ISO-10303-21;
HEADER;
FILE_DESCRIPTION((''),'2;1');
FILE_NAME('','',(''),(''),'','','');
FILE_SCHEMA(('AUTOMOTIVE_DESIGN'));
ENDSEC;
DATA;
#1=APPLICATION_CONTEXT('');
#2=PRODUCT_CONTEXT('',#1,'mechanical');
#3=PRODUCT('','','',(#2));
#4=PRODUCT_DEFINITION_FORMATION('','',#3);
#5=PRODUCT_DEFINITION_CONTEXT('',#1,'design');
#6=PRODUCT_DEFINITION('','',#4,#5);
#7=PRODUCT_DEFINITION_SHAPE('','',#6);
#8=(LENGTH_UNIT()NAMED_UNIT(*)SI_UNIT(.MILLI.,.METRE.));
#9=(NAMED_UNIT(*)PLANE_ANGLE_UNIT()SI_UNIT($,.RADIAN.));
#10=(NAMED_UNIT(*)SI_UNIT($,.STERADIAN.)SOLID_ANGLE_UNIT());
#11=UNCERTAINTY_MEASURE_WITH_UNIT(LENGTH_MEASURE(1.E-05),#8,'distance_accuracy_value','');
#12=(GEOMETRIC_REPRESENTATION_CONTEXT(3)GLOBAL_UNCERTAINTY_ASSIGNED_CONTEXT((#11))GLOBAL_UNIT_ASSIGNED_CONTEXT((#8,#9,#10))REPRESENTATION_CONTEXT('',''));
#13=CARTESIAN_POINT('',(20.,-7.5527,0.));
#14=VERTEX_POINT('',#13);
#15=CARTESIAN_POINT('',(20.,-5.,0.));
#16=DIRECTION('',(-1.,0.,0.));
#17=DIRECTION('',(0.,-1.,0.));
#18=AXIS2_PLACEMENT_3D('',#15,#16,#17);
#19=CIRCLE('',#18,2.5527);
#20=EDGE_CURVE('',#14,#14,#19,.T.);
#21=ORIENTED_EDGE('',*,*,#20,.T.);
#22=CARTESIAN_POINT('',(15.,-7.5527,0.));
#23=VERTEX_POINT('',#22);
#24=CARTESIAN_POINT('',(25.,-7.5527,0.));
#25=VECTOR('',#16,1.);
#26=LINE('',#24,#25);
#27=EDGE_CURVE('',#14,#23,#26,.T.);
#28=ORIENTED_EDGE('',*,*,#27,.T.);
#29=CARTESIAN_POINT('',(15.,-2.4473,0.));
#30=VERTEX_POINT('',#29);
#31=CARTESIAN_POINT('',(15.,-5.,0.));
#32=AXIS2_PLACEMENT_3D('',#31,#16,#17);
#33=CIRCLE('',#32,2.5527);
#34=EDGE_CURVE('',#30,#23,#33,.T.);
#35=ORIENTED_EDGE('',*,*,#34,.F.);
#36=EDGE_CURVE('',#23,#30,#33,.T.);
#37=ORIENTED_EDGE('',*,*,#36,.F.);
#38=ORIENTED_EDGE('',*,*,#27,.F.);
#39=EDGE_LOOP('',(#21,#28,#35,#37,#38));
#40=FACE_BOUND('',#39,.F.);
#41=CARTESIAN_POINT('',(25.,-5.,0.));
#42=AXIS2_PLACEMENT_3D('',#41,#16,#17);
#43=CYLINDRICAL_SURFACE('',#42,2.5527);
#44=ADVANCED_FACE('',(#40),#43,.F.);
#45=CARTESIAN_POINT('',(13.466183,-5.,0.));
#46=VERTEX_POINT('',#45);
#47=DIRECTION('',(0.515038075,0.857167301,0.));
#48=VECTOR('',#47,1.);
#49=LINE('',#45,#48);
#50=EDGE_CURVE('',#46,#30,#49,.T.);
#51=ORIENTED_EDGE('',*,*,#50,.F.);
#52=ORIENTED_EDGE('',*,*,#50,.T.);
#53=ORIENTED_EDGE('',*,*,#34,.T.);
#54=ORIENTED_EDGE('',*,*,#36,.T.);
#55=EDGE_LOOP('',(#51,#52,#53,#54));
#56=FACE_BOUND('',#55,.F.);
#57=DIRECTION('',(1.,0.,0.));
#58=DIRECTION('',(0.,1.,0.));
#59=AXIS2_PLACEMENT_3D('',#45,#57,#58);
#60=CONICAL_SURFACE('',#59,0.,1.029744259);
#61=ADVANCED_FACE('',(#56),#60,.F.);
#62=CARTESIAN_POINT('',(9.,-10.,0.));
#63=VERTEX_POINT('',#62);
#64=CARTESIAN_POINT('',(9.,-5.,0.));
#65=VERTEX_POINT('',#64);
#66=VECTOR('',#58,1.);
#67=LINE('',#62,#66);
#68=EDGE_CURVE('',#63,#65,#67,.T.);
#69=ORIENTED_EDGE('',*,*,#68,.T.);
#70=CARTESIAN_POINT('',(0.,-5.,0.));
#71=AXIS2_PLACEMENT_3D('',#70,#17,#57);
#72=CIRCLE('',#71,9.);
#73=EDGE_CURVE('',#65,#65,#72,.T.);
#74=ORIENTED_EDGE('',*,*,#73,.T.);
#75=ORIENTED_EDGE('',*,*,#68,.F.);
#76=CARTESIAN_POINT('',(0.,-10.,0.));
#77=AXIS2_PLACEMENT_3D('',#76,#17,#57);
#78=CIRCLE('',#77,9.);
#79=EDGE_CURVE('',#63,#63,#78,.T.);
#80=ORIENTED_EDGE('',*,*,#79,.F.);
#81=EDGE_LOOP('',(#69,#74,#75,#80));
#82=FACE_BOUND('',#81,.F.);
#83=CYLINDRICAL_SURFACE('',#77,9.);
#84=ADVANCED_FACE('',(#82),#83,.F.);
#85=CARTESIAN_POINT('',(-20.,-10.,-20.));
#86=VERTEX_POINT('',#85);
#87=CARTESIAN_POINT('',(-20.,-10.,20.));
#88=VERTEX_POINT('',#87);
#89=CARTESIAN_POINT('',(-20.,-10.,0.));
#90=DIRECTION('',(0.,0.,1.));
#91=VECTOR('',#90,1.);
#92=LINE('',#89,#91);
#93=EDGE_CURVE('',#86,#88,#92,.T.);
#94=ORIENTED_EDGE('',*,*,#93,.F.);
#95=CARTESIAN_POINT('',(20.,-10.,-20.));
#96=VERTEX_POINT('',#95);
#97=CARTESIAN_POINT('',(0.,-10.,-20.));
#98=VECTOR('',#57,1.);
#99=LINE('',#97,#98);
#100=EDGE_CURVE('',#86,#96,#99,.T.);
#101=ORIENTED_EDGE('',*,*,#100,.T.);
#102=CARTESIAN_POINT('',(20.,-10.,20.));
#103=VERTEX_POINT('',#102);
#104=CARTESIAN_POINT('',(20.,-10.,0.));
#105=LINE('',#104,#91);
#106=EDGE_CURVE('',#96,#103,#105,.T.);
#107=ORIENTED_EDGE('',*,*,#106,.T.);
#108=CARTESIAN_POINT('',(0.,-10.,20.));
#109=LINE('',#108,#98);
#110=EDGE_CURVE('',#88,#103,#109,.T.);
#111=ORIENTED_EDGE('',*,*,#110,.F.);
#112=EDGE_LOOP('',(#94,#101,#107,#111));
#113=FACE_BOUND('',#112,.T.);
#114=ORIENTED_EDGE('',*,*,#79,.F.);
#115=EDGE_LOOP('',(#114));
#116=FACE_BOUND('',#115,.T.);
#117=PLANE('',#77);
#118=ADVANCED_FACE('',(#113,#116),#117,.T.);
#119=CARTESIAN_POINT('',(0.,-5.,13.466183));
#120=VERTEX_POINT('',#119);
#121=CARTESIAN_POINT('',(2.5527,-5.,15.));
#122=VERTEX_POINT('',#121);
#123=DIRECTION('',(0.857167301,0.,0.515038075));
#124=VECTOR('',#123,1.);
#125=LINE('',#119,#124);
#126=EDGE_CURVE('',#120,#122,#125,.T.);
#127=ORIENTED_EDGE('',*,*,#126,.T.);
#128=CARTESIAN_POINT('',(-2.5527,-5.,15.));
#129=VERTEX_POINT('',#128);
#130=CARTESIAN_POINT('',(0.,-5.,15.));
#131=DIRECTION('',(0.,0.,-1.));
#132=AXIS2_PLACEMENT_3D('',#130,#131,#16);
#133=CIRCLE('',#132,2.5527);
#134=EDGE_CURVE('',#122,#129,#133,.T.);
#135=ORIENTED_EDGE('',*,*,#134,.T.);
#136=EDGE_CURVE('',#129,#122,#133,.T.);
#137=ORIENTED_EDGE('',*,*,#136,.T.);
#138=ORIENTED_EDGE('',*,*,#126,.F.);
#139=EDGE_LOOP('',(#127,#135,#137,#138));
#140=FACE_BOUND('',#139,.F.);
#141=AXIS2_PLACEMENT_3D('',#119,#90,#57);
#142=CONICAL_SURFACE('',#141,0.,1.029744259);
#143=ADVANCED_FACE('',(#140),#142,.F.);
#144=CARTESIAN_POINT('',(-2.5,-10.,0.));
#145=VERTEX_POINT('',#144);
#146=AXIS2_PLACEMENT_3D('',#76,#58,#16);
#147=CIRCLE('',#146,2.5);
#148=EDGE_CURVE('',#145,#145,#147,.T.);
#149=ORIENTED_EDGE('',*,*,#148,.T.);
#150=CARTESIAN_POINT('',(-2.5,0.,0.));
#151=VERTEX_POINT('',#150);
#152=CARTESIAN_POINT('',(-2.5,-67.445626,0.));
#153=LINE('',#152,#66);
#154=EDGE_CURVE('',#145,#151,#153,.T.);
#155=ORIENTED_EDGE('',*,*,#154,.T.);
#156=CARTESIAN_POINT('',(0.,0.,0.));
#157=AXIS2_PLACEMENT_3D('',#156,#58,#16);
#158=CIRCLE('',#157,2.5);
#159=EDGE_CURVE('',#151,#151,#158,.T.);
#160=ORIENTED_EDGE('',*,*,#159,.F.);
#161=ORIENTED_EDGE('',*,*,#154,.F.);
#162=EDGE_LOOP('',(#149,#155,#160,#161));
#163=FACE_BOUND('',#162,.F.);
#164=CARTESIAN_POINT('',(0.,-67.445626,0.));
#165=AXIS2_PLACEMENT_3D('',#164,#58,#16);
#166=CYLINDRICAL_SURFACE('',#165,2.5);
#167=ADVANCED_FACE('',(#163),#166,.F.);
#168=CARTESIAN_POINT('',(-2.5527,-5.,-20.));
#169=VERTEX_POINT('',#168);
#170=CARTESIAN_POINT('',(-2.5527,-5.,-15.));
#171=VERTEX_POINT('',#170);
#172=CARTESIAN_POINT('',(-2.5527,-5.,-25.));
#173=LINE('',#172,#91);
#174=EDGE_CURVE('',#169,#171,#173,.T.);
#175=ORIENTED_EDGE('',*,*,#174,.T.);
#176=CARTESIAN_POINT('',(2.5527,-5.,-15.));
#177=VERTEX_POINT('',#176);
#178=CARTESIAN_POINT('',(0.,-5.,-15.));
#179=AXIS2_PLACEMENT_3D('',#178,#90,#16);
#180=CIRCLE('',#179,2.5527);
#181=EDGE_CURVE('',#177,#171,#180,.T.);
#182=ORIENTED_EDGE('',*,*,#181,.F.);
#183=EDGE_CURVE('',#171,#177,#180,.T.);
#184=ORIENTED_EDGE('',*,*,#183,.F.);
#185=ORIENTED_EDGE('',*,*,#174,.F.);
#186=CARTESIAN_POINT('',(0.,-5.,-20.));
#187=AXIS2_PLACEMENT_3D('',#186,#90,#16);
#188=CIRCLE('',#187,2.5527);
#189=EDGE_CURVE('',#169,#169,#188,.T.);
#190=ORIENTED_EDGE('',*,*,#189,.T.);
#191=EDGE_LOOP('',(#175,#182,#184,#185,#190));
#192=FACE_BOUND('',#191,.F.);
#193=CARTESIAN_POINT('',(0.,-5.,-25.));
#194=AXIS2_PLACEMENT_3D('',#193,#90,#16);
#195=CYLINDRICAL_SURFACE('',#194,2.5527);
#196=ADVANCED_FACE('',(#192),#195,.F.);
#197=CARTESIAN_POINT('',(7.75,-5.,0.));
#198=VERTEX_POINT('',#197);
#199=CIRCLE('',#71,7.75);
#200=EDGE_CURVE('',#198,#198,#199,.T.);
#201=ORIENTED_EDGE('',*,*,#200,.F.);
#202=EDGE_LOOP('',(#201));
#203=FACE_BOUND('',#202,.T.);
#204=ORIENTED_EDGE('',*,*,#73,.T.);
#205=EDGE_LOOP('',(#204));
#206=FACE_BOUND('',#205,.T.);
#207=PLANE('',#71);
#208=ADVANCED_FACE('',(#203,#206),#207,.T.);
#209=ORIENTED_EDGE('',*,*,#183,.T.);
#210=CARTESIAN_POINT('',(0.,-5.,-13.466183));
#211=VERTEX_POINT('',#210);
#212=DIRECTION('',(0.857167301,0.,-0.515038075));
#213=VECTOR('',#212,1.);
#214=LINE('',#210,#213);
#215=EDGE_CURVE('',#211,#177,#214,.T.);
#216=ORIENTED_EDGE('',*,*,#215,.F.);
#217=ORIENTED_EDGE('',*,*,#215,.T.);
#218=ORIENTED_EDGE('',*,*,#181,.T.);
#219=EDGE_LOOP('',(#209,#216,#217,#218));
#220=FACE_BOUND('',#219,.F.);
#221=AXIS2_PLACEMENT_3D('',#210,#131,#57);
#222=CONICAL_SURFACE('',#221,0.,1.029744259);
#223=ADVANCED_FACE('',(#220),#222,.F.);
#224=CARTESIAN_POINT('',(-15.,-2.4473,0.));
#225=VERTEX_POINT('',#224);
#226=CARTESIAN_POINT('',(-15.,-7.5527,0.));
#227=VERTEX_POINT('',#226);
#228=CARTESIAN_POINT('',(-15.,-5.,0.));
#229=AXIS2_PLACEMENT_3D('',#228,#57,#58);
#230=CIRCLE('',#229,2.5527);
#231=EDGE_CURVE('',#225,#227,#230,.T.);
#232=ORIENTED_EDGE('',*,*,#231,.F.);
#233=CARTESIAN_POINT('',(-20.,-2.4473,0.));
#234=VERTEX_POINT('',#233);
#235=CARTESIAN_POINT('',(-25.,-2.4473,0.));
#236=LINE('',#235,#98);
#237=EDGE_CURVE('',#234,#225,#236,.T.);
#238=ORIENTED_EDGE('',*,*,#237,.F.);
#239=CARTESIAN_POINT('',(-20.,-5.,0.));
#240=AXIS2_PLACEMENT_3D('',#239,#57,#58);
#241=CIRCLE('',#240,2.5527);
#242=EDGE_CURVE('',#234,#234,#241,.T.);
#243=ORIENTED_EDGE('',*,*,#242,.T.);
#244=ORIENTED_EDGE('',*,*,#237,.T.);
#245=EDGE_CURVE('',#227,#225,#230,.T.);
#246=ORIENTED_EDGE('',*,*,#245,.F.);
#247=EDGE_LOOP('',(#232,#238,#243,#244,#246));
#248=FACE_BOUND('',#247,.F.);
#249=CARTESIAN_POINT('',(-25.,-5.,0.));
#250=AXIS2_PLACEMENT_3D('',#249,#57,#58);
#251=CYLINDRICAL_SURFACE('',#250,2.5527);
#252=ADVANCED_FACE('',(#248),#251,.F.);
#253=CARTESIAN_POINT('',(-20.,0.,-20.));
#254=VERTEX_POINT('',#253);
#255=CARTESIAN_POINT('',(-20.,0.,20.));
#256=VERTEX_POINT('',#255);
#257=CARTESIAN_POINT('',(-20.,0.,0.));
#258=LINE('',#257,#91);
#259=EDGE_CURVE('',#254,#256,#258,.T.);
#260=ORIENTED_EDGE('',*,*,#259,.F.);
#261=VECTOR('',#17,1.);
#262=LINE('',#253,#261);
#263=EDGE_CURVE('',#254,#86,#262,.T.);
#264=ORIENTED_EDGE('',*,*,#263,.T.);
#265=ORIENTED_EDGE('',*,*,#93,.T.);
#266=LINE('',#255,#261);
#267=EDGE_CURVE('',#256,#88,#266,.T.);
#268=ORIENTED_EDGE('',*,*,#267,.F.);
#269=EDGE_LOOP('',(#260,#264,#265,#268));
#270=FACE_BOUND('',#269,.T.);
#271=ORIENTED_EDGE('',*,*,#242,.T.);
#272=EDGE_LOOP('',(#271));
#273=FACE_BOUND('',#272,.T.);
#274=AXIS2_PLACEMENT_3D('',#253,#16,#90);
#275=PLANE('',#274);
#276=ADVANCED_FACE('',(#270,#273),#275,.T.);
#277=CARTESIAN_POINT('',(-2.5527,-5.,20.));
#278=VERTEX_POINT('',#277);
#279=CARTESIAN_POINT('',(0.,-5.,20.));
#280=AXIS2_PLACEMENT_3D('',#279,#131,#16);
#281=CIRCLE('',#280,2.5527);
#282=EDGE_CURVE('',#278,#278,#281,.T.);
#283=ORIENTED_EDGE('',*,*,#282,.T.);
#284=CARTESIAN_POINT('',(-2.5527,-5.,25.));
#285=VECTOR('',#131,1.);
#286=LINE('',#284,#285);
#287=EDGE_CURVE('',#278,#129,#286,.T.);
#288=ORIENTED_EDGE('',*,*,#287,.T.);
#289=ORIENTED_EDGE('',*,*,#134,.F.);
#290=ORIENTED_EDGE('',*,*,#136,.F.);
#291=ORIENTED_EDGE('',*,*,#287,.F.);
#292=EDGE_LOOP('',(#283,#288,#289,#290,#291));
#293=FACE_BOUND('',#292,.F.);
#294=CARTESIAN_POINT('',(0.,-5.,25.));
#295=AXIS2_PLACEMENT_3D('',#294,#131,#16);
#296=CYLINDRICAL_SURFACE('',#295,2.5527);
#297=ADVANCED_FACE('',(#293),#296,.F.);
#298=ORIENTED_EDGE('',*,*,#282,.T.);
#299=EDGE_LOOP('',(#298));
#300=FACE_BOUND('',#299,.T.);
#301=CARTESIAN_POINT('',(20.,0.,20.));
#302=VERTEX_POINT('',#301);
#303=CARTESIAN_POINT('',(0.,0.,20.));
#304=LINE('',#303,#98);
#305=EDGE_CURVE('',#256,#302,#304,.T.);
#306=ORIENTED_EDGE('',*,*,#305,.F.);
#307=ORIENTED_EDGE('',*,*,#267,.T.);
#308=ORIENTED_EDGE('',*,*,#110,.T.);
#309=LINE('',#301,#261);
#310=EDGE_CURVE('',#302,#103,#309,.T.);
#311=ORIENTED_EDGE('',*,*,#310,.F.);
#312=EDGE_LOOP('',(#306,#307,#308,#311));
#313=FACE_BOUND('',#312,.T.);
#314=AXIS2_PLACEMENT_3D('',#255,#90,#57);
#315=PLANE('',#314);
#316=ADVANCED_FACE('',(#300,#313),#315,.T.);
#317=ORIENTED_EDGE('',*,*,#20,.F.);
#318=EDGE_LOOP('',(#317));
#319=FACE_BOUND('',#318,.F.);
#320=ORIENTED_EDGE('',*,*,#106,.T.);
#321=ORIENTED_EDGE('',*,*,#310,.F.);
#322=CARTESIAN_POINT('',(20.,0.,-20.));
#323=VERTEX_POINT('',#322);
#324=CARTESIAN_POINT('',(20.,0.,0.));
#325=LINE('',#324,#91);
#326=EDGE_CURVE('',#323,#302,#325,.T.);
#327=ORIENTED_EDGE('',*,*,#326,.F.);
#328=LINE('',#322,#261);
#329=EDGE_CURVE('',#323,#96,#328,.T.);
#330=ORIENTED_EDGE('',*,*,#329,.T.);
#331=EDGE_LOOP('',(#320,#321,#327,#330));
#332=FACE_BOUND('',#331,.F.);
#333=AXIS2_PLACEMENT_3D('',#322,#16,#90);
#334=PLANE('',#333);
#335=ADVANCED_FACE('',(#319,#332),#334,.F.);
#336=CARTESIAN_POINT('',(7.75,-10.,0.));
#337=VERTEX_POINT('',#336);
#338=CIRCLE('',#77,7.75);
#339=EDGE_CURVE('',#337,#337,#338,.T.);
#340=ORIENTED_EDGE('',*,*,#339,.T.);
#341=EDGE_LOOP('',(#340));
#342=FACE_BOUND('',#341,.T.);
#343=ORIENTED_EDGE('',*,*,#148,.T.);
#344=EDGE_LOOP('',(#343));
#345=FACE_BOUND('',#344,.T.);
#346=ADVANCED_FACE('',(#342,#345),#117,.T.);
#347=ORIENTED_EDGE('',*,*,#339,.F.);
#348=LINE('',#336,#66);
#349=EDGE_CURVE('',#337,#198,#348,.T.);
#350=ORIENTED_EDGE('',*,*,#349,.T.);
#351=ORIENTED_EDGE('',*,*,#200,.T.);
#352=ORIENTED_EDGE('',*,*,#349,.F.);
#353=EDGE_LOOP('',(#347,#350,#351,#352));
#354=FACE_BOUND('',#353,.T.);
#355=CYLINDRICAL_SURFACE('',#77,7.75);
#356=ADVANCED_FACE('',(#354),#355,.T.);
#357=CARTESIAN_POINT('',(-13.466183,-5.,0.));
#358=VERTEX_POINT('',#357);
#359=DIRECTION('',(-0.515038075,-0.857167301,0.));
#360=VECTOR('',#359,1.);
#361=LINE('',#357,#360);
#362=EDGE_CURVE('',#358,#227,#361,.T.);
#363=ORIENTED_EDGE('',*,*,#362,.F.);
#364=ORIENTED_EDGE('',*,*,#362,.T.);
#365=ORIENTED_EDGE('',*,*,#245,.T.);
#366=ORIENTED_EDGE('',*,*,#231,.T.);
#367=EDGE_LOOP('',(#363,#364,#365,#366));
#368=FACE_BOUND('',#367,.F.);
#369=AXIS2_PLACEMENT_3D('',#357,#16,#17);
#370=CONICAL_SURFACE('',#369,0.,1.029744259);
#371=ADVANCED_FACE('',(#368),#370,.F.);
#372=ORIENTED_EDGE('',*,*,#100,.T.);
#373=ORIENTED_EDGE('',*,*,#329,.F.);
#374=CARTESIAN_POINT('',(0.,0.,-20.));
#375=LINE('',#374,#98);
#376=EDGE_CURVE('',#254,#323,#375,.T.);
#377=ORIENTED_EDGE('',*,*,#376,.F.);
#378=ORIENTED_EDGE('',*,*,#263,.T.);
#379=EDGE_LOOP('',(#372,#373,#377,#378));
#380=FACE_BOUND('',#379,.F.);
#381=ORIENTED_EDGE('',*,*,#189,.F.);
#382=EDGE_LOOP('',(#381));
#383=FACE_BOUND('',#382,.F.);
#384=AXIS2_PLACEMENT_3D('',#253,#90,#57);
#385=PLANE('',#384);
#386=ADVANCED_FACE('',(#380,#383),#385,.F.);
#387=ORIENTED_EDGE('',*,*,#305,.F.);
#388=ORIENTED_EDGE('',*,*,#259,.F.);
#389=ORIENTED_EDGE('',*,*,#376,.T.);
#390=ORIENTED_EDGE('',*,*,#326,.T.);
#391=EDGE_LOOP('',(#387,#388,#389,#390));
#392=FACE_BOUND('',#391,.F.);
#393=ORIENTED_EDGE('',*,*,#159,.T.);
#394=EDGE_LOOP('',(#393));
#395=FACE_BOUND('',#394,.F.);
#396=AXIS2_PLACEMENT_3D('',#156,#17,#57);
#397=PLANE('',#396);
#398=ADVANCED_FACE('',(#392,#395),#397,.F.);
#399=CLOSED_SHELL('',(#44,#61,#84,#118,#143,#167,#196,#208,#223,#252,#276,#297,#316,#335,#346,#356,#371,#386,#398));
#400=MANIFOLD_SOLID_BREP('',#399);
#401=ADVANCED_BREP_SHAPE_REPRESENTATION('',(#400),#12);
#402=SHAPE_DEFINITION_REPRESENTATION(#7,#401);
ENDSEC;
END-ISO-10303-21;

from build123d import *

# Parameters (mm, degrees)
F0_W      = 40
F0_H      = 40
F1_DEPTH  = 10
F3_D      = 5
F4_R      = 9
F4_R_2    = 7.75
F5_DEPTH  = 5
F7_D      = 5.1054
F7_DEPTH  = 5
F7_TIP    = 1.5338169022
F9_D      = 5.1054
F9_DEPTH  = 5
F9_TIP    = 1.5338169022
F11_D     = 5.1054
F11_DEPTH = 5
F11_TIP   = 1.5338169022
F13_D     = 5.1054
F13_DEPTH = 5
F13_TIP   = 1.5338169022


with BuildPart() as f1:
    # F0 (on Front) → F1 (new body)
    with BuildSketch(Plane.XZ):
        Rectangle(F0_W, F0_H)
    extrude(amount=F1_DEPTH)

    # F3 (through all)
    with Locations(Plane.XZ.offset(10)):
        with Locations((0, 0)):
            Hole(F3_D / 2)

    # F4 (on face) → F5 (cut)
    with BuildSketch(Plane.XZ.offset(10)):
        Circle(F4_R)
        Circle(F4_R_2, mode=Mode.SUBTRACT)
    extrude(amount=-F5_DEPTH, mode=Mode.SUBTRACT)

    # F7
    with Locations(Plane.XY.offset(20)):
        with Locations((0, -5)):
            Hole(F7_D / 2, depth=F7_DEPTH)
            with Locations((0, 0, -(F7_DEPTH + F7_TIP / 2))):  # 118° drill point
                Cone(0, F7_D / 2, F7_TIP, mode=Mode.SUBTRACT)

    # F9
    with Locations(Plane(origin=(0, 0, -20), x_dir=(1, 0, 0), z_dir=(0, 0, -1))):
        with Locations((0, 5)):
            Hole(F9_D / 2, depth=F9_DEPTH)
            with Locations((0, 0, -(F9_DEPTH + F9_TIP / 2))):  # 118° drill point
                Cone(0, F9_D / 2, F9_TIP, mode=Mode.SUBTRACT)

    # F11
    with Locations(Plane(origin=(-20, 0, 0), x_dir=(0, -1, 0), z_dir=(-1, 0, 0))):
        with Locations((5, 0)):
            Hole(F11_D / 2, depth=F11_DEPTH)
            with Locations((0, 0, -(F11_DEPTH + F11_TIP / 2))):  # 118° drill point
                Cone(0, F11_D / 2, F11_TIP, mode=Mode.SUBTRACT)

    # F13
    with Locations(Plane.YZ.offset(20)):
        with Locations((-5, 0)):
            Hole(F13_D / 2, depth=F13_DEPTH)
            with Locations((0, 0, -(F13_DEPTH + F13_TIP / 2))):  # 118° drill point
                Cone(0, F13_D / 2, F13_TIP, mode=Mode.SUBTRACT)


solid = f1.part
